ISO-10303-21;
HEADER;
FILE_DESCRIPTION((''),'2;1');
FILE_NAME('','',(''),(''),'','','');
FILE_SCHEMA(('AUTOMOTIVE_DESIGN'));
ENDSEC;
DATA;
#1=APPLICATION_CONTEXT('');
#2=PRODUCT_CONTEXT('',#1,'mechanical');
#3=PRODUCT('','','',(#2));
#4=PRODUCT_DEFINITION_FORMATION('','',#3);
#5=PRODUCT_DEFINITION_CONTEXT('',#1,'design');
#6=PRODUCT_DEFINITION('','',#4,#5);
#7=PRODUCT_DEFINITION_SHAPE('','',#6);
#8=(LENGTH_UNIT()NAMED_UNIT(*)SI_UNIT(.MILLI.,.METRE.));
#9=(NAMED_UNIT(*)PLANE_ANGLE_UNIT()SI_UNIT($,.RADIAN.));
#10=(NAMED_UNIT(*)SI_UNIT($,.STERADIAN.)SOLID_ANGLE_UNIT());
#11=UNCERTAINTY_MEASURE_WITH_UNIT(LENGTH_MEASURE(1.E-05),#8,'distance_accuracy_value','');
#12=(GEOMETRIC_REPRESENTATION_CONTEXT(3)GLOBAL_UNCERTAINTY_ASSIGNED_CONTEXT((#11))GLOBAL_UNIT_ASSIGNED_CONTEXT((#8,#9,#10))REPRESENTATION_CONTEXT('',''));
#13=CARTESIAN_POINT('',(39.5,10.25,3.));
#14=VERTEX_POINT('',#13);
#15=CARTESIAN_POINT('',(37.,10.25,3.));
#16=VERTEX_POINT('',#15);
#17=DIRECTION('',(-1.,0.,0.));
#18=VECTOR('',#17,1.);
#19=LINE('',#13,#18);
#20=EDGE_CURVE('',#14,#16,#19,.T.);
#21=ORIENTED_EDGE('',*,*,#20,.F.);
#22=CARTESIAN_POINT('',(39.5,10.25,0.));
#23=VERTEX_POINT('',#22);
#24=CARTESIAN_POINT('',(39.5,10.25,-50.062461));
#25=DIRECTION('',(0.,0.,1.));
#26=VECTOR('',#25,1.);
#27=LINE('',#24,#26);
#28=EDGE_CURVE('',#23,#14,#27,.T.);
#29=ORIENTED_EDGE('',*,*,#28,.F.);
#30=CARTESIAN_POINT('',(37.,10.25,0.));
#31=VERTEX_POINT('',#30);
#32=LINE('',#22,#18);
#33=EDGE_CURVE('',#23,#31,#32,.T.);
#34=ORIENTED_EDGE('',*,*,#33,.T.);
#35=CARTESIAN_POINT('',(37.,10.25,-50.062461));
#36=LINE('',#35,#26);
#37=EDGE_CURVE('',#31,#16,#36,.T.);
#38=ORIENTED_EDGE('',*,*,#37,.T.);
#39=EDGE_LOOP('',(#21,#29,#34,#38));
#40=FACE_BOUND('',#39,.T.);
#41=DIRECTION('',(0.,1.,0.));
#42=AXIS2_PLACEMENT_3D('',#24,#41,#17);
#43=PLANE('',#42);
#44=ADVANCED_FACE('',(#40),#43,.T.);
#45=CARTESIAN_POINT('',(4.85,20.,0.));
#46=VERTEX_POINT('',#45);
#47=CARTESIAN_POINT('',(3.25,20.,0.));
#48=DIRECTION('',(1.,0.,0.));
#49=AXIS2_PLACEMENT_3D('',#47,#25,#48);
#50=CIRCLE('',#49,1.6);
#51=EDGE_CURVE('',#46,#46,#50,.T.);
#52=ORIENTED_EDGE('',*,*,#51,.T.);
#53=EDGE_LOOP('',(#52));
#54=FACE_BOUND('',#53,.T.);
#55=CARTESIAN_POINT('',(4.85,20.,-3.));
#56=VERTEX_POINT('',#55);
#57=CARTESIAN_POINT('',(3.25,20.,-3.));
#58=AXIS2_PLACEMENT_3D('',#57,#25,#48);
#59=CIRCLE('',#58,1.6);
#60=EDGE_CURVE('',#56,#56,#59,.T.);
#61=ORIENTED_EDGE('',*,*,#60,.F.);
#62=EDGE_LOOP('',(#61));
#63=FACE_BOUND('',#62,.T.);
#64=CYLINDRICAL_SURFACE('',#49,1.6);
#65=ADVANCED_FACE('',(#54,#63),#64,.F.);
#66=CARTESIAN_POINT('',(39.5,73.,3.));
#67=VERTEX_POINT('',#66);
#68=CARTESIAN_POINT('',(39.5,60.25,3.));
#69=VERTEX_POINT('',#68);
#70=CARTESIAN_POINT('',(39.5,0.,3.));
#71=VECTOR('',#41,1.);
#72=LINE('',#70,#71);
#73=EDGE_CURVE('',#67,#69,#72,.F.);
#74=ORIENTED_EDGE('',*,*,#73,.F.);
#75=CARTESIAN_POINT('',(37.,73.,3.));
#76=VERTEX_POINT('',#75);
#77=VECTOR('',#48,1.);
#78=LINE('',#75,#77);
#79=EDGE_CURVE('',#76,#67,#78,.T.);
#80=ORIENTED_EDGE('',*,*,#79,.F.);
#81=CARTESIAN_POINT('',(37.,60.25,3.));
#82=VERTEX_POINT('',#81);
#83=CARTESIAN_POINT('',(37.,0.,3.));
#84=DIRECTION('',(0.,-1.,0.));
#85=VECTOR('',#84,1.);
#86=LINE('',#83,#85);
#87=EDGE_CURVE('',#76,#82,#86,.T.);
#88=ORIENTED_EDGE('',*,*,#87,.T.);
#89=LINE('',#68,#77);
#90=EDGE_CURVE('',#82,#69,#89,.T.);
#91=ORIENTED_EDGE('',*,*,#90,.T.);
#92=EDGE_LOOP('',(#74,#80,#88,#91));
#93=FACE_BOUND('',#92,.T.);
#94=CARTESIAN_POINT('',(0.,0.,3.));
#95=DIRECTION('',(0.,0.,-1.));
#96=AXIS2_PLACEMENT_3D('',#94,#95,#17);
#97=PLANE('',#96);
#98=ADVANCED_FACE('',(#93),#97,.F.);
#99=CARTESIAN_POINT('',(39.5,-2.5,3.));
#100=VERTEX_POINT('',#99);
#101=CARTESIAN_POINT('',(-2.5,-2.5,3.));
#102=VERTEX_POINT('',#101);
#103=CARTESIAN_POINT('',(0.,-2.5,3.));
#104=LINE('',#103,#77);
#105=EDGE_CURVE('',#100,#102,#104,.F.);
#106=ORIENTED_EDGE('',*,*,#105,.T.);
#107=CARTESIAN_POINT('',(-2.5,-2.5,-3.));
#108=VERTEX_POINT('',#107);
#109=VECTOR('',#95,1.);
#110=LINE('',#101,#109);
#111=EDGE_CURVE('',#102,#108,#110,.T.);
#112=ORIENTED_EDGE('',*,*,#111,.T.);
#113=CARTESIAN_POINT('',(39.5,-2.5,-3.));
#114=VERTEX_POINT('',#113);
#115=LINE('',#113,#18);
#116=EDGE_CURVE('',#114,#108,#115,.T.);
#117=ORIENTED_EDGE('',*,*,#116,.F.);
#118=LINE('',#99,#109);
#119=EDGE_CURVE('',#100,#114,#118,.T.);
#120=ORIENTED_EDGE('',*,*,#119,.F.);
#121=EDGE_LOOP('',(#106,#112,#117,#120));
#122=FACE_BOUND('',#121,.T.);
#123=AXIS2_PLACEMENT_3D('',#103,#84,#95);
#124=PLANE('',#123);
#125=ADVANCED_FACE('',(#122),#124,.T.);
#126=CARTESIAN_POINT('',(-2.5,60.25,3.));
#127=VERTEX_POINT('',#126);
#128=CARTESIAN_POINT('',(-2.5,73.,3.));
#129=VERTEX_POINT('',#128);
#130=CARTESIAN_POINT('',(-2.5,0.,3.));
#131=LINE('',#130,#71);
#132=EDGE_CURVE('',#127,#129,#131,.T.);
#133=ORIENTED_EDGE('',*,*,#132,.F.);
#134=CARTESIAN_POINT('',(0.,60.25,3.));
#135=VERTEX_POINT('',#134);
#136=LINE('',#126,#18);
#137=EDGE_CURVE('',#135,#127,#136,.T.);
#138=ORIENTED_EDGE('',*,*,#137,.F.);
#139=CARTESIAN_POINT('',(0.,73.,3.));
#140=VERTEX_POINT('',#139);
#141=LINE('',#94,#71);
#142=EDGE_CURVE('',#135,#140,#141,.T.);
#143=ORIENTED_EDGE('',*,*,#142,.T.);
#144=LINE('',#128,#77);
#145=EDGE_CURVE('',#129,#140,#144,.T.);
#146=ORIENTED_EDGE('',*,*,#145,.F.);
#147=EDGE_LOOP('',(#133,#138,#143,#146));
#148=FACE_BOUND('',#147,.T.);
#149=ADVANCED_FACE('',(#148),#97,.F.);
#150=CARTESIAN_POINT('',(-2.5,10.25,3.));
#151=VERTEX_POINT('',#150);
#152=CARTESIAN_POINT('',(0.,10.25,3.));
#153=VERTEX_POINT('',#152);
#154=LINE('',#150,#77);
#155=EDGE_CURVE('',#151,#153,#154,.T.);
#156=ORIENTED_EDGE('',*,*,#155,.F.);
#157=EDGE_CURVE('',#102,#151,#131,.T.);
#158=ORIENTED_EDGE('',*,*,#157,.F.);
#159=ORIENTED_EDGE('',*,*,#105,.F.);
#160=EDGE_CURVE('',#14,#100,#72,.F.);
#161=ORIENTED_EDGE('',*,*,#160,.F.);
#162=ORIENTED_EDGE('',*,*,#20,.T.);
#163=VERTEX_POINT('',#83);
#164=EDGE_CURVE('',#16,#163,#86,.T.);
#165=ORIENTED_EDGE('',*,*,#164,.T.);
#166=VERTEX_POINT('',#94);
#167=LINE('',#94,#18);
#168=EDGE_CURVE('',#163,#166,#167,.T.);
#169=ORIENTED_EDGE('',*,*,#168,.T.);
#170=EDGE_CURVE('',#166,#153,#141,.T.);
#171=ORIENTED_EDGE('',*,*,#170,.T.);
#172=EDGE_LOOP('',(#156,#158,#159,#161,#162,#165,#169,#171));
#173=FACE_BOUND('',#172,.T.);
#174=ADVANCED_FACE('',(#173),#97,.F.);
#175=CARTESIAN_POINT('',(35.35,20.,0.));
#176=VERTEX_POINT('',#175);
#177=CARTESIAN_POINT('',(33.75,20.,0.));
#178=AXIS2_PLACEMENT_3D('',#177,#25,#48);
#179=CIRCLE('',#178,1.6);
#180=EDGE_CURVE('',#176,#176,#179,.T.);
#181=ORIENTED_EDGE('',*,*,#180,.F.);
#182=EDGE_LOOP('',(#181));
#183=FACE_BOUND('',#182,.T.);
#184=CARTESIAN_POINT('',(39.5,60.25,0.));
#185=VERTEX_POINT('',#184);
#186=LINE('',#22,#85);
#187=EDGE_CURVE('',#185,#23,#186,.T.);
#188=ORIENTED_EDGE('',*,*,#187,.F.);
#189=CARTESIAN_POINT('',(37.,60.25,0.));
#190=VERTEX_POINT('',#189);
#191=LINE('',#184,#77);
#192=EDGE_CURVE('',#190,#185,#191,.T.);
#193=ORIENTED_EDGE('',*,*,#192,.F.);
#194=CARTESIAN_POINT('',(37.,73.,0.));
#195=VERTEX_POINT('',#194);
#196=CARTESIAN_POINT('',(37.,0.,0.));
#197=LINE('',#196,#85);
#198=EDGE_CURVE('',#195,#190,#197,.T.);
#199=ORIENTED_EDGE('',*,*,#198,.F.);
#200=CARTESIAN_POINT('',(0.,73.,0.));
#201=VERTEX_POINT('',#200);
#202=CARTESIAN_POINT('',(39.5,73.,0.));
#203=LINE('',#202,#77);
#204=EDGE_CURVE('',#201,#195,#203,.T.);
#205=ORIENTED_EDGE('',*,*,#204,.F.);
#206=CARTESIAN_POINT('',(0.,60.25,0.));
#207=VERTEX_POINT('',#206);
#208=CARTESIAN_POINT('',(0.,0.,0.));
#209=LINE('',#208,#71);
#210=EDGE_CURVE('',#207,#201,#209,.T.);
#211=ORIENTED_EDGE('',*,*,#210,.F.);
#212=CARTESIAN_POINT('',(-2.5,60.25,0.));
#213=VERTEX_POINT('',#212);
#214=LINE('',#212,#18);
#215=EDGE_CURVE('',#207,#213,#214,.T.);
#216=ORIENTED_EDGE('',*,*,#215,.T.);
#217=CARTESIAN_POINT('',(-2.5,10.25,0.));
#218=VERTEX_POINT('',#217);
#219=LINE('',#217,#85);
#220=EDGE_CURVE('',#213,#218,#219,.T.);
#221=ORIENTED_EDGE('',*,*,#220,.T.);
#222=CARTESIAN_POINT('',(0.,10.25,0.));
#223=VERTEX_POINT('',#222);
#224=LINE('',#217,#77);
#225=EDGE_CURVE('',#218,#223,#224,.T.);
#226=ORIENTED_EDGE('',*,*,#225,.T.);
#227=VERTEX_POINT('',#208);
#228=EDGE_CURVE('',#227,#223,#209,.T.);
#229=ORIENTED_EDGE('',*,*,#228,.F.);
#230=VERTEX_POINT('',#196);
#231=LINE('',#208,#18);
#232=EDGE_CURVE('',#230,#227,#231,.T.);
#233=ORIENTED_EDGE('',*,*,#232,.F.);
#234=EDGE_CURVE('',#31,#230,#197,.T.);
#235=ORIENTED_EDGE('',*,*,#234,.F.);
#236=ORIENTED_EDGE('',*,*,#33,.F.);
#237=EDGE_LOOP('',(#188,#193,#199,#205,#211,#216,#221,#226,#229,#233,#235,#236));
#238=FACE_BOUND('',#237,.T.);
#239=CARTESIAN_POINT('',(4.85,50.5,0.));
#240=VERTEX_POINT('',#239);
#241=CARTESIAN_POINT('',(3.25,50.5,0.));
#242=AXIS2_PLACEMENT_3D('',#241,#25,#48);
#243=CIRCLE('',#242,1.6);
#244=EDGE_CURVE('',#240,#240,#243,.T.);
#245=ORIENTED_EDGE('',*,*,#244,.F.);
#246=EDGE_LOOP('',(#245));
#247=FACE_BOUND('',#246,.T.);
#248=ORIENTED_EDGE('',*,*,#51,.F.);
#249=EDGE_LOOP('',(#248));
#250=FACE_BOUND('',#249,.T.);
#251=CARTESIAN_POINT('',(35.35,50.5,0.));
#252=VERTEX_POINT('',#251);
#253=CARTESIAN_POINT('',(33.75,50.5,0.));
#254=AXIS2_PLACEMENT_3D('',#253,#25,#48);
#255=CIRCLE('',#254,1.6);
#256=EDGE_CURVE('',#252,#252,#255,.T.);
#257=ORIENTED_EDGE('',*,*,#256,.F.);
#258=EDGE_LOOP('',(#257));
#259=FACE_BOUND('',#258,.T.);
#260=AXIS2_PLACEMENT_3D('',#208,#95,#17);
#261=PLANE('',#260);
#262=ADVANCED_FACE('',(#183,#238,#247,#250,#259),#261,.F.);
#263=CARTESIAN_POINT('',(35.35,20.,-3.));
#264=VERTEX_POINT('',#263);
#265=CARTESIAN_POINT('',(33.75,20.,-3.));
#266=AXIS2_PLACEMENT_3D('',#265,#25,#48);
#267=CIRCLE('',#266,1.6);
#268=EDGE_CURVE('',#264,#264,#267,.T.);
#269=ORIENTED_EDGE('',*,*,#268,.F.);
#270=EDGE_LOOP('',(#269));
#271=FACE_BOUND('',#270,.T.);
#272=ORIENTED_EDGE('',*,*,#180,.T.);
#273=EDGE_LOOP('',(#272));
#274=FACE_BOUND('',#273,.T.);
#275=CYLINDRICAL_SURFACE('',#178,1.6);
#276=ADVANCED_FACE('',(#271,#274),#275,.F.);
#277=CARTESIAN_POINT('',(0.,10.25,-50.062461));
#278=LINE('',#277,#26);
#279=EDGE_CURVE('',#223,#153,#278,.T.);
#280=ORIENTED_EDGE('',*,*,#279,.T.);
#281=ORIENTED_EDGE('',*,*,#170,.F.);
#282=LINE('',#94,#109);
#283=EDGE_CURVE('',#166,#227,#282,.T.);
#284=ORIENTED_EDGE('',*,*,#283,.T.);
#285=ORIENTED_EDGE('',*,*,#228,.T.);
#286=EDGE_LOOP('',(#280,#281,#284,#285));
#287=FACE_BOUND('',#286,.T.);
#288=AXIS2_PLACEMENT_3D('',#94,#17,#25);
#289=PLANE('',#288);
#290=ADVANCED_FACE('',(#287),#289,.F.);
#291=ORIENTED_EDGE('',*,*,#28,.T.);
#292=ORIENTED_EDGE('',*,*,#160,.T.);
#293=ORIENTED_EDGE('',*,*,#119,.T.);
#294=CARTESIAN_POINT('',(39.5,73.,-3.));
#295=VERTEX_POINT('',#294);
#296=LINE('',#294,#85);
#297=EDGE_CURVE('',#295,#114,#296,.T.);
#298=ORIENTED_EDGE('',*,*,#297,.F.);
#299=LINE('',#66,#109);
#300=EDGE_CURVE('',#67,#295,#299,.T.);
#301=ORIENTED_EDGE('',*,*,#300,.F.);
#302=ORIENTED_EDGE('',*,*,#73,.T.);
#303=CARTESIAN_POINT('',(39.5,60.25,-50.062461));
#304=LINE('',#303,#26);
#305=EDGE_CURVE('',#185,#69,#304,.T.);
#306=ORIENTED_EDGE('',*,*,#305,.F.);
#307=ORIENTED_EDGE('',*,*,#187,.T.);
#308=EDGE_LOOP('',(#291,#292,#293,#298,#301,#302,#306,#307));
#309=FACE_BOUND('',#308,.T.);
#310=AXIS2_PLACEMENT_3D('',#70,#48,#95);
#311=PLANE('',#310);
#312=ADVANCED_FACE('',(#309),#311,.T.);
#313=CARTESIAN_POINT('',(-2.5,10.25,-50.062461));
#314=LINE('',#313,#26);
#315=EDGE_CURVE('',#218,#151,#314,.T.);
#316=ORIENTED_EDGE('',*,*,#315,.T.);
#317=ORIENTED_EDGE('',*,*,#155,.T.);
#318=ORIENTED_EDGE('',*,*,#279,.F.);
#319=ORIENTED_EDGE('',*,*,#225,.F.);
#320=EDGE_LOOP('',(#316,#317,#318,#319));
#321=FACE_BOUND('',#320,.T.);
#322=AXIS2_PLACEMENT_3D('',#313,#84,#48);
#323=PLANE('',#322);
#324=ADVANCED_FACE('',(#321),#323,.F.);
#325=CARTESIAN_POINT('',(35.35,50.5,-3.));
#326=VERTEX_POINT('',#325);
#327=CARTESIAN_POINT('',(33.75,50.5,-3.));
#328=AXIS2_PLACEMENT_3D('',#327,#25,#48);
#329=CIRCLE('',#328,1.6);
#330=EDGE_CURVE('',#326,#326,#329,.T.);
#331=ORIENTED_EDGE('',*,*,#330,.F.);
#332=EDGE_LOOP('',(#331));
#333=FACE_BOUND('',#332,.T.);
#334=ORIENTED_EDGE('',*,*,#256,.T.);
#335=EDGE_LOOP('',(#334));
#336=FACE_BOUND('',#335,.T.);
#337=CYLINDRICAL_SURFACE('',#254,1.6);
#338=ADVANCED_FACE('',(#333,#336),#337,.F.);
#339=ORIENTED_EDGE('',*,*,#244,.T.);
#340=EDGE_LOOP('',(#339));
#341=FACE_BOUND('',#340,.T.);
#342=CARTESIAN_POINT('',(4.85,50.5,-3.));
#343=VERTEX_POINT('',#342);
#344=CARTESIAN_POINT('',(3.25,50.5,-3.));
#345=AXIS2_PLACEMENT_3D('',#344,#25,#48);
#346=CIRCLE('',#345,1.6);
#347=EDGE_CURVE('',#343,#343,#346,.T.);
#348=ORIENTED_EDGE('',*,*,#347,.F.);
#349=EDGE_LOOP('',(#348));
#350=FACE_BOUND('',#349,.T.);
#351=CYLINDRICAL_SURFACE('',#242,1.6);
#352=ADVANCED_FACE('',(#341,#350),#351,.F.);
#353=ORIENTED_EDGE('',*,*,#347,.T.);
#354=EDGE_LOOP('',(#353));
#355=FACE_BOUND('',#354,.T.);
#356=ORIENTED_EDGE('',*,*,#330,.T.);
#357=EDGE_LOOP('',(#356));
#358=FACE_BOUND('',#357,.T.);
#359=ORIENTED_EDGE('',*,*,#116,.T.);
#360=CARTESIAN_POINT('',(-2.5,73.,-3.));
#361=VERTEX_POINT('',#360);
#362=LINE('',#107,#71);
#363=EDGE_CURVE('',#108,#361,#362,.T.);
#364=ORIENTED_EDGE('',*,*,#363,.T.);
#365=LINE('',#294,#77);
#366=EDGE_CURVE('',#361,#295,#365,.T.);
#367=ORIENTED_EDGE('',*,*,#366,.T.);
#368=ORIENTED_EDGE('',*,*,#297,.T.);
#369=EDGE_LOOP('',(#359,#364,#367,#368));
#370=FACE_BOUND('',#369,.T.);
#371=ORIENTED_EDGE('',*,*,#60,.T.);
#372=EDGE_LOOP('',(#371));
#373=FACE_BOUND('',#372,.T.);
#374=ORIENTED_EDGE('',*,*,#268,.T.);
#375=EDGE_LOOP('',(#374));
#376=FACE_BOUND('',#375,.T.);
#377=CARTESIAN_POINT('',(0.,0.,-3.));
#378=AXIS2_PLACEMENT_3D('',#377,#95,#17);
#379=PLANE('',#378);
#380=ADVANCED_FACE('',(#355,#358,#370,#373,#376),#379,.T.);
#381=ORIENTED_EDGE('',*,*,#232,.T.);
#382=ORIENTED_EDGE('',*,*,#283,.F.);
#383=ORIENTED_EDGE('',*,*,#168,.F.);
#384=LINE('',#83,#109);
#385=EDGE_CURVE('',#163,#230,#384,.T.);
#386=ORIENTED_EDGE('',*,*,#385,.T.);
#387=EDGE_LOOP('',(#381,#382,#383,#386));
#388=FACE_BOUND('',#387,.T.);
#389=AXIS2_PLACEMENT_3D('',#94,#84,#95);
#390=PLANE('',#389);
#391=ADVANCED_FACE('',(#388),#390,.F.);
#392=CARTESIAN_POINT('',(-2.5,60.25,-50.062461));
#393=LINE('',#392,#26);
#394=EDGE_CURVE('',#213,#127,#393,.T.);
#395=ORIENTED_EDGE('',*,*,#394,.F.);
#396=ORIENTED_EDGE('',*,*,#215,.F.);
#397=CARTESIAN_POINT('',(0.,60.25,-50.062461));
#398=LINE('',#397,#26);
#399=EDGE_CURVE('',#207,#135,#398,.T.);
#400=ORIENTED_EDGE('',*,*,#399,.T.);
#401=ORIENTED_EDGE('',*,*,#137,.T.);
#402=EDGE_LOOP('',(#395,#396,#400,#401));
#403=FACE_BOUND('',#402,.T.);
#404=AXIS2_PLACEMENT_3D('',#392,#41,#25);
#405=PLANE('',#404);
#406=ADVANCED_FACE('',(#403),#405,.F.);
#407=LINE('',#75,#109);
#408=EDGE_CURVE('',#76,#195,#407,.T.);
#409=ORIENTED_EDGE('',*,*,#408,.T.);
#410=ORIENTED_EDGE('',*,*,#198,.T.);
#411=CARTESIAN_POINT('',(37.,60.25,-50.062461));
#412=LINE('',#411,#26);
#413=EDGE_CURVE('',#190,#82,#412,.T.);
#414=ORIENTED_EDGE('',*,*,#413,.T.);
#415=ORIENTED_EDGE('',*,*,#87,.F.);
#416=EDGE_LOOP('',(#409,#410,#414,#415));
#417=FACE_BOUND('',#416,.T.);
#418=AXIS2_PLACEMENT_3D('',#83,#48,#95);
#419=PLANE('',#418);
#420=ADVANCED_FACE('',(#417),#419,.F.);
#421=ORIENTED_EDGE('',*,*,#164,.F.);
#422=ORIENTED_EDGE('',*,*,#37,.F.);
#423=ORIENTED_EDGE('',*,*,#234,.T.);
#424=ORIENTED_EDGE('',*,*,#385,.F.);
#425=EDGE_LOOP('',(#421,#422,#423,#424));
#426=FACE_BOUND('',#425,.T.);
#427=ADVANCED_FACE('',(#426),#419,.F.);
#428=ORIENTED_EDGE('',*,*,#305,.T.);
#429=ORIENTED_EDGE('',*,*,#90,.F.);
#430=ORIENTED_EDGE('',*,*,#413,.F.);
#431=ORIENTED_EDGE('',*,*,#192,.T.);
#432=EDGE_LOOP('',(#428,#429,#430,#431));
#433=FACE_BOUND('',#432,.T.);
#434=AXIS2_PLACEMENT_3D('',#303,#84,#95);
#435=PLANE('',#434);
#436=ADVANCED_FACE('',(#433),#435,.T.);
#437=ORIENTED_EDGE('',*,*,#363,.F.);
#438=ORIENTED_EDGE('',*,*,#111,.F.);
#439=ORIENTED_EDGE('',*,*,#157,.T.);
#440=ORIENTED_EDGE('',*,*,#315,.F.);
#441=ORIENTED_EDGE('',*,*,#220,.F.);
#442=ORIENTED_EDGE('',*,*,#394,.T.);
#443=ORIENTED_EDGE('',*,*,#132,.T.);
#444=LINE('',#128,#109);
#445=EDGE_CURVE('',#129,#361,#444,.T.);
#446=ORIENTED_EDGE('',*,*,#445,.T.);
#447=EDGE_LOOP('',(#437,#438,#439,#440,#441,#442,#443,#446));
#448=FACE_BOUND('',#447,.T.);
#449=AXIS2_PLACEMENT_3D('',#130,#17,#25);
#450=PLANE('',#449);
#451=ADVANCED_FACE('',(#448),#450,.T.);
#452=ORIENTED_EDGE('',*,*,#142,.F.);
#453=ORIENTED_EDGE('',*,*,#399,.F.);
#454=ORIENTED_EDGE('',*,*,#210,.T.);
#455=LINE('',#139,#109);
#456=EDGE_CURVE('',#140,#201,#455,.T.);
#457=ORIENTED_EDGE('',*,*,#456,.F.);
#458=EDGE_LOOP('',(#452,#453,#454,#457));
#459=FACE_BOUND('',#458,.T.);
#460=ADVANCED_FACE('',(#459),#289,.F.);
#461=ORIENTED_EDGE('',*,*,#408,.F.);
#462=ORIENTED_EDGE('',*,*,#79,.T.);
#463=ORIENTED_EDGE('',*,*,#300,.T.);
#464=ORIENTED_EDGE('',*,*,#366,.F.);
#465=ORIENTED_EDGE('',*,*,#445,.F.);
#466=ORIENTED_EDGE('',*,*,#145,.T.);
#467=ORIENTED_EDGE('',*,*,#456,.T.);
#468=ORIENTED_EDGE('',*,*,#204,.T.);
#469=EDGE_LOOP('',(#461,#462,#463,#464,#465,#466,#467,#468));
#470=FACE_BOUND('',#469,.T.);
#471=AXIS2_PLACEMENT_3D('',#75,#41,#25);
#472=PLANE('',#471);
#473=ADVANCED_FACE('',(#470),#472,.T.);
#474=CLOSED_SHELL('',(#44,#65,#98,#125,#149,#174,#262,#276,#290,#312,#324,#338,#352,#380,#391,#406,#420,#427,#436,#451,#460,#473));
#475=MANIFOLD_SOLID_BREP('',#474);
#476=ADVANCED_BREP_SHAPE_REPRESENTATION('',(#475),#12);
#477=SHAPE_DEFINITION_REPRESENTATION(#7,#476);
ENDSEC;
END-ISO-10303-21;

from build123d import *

# Parameters (mm, degrees)
EXTRUDE_THIN1_DEPTH        = 3
SKETCH2_W                  = 42
SKETCH2_H                  = 75.5
BOSS_EXTRUDE2_DEPTH        = 3
F_3_2_3_2_DIAMETER_HOLE1_D = 3.2
SKETCH6_W                  = 2.5
SKETCH6_H                  = 50
CUT_EXTRUDE1_DEPTH         = 3


with BuildPart() as part:
    # Sketch1 → Extrude-Thin1 (new body)
    with BuildSketch(Plane.XY):
        Polygon((0, 73), (0, 0), (37, 0), (37, 73), (39.5, 73), (39.5, -2.5), (-2.5, -2.5), (-2.5, 73), align=None)
    extrude(amount=EXTRUDE_THIN1_DEPTH)

    # Sketch2 → Boss-Extrude2 (add)
    with BuildSketch(Plane(origin=(0, 0, 0), x_dir=(-1, 0, 0), z_dir=(0, 0, -1))):
        with Locations((-18.5, 35.25)):
            Rectangle(SKETCH2_W, SKETCH2_H)
    extrude(amount=BOSS_EXTRUDE2_DEPTH)

    # Ø3.2 (3.2) Diameter Hole1 (through all)
    with Locations(Plane.XY):
        with Locations((3.25, 50.5), (33.75, 50.5), (33.75, 20), (3.25, 20)):
            Hole(F_3_2_3_2_DIAMETER_HOLE1_D / 2)

    # Sketch6 → Cut-Extrude1 (cut)
    with BuildSketch(Plane.XY.offset(3)):
        with Locations((-1.25, 35.25)):
            Rectangle(SKETCH6_W, SKETCH6_H)
    cut_extrude1 = extrude(amount=-CUT_EXTRUDE1_DEPTH, mode=Mode.SUBTRACT)

    # Mirror1: Cut-Extrude1 across plane
    add(cut_extrude1.mirror(Plane(origin=(18.5, 0, 0), x_dir=(0, 0, 1), z_dir=(1, 0, 0))), mode=Mode.SUBTRACT)


solid = part.part
